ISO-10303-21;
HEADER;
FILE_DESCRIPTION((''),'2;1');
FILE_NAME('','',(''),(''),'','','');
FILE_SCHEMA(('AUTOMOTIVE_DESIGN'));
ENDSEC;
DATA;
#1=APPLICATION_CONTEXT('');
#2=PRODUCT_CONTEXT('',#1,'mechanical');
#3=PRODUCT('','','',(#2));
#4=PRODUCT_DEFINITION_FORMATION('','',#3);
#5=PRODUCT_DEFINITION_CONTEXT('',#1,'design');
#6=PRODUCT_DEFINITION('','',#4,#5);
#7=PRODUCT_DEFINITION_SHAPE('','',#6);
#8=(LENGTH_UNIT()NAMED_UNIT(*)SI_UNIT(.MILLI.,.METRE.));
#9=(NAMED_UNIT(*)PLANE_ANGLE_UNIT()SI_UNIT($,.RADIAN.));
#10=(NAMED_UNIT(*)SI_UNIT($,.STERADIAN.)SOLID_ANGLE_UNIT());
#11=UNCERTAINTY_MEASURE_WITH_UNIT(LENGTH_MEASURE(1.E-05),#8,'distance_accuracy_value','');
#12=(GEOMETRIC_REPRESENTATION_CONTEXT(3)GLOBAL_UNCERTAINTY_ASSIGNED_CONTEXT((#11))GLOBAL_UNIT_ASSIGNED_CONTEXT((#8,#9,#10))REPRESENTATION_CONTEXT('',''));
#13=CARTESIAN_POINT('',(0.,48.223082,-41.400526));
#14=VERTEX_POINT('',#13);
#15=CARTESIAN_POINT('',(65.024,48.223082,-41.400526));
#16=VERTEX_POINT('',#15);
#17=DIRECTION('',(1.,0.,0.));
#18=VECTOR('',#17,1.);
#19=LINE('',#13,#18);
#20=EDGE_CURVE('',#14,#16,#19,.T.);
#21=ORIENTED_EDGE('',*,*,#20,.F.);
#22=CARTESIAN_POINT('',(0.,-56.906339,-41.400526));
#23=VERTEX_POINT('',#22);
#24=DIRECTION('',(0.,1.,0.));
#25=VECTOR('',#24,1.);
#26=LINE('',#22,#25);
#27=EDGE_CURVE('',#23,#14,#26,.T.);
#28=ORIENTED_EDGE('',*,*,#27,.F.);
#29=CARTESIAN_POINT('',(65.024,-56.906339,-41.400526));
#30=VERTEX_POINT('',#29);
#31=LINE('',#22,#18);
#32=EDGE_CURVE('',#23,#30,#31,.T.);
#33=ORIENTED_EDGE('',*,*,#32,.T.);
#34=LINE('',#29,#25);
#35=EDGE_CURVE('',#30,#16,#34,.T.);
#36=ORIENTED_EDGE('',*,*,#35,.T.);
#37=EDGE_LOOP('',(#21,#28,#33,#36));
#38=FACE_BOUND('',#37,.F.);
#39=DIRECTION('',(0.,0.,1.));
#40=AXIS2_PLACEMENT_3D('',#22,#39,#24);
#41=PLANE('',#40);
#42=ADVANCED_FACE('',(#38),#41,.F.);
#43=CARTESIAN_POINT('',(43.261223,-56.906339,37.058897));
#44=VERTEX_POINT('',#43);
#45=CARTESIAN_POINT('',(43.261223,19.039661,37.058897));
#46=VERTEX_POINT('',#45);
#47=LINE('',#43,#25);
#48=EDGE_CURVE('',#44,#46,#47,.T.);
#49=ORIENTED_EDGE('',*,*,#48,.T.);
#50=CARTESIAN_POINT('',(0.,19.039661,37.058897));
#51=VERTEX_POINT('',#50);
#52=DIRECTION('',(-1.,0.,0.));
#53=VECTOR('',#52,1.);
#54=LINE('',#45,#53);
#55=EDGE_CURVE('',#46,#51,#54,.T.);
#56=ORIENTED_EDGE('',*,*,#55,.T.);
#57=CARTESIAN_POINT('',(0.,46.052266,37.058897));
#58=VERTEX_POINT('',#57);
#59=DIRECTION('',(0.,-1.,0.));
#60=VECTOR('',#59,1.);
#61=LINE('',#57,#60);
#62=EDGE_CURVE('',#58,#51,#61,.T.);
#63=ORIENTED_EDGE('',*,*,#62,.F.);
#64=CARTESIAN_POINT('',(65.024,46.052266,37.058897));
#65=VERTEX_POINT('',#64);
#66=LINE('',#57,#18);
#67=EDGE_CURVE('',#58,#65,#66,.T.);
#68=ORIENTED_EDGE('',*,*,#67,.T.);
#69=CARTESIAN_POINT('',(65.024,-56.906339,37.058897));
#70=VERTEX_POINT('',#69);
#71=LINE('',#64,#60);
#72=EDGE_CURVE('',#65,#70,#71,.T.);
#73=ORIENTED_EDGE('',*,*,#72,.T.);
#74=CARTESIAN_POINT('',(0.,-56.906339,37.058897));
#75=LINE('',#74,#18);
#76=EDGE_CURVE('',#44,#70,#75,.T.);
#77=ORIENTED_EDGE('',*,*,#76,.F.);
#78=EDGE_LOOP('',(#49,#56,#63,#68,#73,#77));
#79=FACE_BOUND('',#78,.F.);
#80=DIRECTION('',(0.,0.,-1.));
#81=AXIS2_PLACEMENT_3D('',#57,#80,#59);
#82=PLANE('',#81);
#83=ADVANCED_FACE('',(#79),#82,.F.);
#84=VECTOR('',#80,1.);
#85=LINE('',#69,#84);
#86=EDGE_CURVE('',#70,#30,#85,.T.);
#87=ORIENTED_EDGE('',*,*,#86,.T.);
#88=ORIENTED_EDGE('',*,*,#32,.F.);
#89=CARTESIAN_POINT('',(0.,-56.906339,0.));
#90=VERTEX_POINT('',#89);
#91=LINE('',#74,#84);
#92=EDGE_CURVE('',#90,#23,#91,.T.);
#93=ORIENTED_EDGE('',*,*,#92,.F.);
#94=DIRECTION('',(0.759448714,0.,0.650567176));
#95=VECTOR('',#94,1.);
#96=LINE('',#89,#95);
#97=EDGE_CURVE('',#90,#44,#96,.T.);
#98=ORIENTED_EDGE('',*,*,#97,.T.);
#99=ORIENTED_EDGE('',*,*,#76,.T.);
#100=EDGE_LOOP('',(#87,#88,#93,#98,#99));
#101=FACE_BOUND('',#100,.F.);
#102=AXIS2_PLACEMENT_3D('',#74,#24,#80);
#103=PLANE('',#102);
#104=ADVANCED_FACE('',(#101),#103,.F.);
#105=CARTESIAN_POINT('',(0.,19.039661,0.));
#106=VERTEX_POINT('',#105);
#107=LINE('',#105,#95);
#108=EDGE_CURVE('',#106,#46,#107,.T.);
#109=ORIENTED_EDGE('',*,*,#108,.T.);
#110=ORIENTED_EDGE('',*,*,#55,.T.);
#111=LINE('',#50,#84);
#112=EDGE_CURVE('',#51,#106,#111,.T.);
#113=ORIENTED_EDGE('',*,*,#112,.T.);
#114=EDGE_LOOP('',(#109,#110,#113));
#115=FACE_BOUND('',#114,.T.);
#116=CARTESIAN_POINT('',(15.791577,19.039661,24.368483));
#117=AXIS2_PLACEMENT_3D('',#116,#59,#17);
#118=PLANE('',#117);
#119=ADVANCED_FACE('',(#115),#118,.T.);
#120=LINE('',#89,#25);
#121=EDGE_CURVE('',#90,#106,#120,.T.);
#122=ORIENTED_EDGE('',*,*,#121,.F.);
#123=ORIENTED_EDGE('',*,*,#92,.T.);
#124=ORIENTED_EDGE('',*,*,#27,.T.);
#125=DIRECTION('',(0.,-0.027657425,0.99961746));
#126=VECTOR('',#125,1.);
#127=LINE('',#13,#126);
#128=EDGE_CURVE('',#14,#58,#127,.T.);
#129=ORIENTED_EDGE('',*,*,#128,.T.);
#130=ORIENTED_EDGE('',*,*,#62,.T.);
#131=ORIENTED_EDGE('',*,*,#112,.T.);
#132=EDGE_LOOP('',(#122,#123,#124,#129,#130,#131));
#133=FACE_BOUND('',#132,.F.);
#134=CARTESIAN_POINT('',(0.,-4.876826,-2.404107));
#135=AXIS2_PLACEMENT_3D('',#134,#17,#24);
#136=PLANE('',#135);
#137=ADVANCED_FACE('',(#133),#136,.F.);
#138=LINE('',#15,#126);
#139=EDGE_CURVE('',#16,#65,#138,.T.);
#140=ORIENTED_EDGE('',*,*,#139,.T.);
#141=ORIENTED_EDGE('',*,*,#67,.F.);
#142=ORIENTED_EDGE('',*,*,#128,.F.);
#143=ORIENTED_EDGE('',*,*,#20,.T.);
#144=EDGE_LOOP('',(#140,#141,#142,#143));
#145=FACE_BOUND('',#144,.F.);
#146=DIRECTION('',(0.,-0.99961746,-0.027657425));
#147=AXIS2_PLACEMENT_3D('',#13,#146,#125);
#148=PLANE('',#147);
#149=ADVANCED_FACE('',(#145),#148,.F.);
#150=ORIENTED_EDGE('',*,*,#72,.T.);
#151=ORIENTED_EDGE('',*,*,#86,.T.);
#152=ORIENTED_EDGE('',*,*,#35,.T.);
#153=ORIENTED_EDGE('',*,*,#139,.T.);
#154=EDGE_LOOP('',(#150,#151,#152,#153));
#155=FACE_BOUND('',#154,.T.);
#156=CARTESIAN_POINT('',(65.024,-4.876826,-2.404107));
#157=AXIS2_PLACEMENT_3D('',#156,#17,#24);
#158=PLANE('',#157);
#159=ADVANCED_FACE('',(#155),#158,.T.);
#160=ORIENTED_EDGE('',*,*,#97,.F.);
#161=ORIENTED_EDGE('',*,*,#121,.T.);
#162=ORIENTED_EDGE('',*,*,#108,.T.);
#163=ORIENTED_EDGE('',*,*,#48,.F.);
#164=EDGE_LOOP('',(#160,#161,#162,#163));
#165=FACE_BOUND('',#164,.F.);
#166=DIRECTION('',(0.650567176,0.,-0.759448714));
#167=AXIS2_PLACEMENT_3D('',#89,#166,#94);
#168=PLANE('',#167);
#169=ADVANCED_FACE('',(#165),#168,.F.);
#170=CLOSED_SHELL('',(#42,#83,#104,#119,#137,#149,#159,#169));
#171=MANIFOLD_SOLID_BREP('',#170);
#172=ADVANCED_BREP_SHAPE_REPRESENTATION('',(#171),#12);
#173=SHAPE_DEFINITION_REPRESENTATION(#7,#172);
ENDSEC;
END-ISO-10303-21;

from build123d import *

# Parameters (mm, degrees)
F1_DEPTH = 65.024
F3_DEPTH = 75.946


with BuildPart() as f1:
    # F0 (on Right) → F1 (new body)
    with BuildSketch(Plane.YZ):
        Polygon((46.052266, 37.058897), (-56.906339, 37.058897), (-56.906339, -41.400526), (48.223082, -41.400526), align=None)
    extrude(amount=F1_DEPTH)

    # F2 (on face) → F3 (cut)
    with BuildSketch(Plane.XZ.offset(56.906339)):
        Polygon((0, 0), (43.261223, 37.058897), (0, 37.058897), align=None)
    extrude(amount=-F3_DEPTH, mode=Mode.SUBTRACT)


solid = f1.part
